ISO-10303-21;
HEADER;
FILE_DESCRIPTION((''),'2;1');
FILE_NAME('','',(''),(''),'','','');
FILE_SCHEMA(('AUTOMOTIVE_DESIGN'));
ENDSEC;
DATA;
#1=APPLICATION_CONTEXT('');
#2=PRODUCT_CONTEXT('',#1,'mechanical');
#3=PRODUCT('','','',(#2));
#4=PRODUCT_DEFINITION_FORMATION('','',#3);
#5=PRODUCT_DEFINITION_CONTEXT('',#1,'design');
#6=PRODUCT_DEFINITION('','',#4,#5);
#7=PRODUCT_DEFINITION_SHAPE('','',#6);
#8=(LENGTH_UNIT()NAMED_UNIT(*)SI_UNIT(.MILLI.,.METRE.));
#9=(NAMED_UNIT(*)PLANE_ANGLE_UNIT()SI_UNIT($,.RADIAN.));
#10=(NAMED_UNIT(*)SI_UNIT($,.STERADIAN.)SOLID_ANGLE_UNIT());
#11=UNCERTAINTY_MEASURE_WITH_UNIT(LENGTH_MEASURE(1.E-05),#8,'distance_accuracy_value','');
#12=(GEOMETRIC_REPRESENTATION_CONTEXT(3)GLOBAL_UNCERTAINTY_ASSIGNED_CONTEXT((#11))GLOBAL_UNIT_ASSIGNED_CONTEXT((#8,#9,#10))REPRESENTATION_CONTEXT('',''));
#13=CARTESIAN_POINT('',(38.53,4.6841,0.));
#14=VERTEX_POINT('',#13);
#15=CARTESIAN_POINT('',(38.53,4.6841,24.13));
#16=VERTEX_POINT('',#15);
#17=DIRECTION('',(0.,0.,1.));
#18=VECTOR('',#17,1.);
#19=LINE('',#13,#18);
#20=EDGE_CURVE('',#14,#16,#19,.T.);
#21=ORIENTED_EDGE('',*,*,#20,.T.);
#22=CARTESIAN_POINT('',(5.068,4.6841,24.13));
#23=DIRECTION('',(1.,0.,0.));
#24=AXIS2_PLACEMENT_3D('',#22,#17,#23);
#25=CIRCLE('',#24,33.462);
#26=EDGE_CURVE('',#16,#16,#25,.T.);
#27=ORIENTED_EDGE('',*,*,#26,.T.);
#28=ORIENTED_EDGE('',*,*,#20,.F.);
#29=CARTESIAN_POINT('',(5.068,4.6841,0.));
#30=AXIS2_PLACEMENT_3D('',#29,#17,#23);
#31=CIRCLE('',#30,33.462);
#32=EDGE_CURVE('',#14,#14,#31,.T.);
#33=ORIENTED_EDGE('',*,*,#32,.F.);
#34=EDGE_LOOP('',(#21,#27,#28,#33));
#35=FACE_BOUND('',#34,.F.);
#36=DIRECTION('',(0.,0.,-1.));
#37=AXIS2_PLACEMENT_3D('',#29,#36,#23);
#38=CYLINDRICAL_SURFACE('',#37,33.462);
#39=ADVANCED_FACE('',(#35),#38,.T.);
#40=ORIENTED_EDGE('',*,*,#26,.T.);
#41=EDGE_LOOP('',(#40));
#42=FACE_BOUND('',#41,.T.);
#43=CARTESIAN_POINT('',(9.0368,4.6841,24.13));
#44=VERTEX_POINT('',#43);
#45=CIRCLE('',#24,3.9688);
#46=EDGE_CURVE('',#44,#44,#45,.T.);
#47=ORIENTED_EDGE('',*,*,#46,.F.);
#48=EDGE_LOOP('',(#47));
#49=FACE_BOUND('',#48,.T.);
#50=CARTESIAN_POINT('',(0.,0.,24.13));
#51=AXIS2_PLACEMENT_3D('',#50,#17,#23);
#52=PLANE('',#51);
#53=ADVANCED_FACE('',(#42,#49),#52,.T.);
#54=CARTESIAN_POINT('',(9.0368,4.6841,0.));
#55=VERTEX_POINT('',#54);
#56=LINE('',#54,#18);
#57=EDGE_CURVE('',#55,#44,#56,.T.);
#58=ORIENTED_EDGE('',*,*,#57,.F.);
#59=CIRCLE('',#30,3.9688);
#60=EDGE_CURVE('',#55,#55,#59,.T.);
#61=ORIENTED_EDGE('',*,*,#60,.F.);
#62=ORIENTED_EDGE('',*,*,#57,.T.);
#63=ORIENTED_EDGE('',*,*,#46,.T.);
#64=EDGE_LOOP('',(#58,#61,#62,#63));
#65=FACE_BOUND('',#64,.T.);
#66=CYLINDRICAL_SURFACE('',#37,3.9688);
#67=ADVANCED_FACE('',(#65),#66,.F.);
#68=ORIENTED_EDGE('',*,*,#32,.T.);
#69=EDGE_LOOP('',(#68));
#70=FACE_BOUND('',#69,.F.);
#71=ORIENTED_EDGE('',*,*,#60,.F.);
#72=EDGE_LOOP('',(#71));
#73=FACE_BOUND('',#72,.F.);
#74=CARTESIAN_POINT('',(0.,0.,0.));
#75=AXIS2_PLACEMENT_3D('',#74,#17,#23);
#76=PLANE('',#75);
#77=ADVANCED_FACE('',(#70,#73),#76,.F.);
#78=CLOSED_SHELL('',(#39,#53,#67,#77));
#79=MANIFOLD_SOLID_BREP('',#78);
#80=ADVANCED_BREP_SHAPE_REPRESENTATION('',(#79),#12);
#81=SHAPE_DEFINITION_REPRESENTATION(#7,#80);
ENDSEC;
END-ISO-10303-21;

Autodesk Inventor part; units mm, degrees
ref_plane "YZ Plane" through (0, 0, 0) normal (1, 0, 0) x (0, 1, 0)
ref_plane "XZ Plane" through (0, 0, 0) normal (0, 1, 0) x (-1, 0, 0)
ref_plane "XY Plane" through (0, 0, 0) normal (0, 0, 1) x (1, 0, 0)
sketch "Sketch1" plane through (0, 0, 0) normal (0, 0, 1) x (1, 0, 0)
  circle A0 centre (5.068, 4.6841) radius 33.462
  circle A1 centre (5.068, 4.6841) radius 3.9688
  point P0 (0, 0)
  dimension "d0" = 66.9239
  dimension "d1" = 7.9375
extrude "Extrusion1" add sketch "Sketch1" along normal blind 24.13
